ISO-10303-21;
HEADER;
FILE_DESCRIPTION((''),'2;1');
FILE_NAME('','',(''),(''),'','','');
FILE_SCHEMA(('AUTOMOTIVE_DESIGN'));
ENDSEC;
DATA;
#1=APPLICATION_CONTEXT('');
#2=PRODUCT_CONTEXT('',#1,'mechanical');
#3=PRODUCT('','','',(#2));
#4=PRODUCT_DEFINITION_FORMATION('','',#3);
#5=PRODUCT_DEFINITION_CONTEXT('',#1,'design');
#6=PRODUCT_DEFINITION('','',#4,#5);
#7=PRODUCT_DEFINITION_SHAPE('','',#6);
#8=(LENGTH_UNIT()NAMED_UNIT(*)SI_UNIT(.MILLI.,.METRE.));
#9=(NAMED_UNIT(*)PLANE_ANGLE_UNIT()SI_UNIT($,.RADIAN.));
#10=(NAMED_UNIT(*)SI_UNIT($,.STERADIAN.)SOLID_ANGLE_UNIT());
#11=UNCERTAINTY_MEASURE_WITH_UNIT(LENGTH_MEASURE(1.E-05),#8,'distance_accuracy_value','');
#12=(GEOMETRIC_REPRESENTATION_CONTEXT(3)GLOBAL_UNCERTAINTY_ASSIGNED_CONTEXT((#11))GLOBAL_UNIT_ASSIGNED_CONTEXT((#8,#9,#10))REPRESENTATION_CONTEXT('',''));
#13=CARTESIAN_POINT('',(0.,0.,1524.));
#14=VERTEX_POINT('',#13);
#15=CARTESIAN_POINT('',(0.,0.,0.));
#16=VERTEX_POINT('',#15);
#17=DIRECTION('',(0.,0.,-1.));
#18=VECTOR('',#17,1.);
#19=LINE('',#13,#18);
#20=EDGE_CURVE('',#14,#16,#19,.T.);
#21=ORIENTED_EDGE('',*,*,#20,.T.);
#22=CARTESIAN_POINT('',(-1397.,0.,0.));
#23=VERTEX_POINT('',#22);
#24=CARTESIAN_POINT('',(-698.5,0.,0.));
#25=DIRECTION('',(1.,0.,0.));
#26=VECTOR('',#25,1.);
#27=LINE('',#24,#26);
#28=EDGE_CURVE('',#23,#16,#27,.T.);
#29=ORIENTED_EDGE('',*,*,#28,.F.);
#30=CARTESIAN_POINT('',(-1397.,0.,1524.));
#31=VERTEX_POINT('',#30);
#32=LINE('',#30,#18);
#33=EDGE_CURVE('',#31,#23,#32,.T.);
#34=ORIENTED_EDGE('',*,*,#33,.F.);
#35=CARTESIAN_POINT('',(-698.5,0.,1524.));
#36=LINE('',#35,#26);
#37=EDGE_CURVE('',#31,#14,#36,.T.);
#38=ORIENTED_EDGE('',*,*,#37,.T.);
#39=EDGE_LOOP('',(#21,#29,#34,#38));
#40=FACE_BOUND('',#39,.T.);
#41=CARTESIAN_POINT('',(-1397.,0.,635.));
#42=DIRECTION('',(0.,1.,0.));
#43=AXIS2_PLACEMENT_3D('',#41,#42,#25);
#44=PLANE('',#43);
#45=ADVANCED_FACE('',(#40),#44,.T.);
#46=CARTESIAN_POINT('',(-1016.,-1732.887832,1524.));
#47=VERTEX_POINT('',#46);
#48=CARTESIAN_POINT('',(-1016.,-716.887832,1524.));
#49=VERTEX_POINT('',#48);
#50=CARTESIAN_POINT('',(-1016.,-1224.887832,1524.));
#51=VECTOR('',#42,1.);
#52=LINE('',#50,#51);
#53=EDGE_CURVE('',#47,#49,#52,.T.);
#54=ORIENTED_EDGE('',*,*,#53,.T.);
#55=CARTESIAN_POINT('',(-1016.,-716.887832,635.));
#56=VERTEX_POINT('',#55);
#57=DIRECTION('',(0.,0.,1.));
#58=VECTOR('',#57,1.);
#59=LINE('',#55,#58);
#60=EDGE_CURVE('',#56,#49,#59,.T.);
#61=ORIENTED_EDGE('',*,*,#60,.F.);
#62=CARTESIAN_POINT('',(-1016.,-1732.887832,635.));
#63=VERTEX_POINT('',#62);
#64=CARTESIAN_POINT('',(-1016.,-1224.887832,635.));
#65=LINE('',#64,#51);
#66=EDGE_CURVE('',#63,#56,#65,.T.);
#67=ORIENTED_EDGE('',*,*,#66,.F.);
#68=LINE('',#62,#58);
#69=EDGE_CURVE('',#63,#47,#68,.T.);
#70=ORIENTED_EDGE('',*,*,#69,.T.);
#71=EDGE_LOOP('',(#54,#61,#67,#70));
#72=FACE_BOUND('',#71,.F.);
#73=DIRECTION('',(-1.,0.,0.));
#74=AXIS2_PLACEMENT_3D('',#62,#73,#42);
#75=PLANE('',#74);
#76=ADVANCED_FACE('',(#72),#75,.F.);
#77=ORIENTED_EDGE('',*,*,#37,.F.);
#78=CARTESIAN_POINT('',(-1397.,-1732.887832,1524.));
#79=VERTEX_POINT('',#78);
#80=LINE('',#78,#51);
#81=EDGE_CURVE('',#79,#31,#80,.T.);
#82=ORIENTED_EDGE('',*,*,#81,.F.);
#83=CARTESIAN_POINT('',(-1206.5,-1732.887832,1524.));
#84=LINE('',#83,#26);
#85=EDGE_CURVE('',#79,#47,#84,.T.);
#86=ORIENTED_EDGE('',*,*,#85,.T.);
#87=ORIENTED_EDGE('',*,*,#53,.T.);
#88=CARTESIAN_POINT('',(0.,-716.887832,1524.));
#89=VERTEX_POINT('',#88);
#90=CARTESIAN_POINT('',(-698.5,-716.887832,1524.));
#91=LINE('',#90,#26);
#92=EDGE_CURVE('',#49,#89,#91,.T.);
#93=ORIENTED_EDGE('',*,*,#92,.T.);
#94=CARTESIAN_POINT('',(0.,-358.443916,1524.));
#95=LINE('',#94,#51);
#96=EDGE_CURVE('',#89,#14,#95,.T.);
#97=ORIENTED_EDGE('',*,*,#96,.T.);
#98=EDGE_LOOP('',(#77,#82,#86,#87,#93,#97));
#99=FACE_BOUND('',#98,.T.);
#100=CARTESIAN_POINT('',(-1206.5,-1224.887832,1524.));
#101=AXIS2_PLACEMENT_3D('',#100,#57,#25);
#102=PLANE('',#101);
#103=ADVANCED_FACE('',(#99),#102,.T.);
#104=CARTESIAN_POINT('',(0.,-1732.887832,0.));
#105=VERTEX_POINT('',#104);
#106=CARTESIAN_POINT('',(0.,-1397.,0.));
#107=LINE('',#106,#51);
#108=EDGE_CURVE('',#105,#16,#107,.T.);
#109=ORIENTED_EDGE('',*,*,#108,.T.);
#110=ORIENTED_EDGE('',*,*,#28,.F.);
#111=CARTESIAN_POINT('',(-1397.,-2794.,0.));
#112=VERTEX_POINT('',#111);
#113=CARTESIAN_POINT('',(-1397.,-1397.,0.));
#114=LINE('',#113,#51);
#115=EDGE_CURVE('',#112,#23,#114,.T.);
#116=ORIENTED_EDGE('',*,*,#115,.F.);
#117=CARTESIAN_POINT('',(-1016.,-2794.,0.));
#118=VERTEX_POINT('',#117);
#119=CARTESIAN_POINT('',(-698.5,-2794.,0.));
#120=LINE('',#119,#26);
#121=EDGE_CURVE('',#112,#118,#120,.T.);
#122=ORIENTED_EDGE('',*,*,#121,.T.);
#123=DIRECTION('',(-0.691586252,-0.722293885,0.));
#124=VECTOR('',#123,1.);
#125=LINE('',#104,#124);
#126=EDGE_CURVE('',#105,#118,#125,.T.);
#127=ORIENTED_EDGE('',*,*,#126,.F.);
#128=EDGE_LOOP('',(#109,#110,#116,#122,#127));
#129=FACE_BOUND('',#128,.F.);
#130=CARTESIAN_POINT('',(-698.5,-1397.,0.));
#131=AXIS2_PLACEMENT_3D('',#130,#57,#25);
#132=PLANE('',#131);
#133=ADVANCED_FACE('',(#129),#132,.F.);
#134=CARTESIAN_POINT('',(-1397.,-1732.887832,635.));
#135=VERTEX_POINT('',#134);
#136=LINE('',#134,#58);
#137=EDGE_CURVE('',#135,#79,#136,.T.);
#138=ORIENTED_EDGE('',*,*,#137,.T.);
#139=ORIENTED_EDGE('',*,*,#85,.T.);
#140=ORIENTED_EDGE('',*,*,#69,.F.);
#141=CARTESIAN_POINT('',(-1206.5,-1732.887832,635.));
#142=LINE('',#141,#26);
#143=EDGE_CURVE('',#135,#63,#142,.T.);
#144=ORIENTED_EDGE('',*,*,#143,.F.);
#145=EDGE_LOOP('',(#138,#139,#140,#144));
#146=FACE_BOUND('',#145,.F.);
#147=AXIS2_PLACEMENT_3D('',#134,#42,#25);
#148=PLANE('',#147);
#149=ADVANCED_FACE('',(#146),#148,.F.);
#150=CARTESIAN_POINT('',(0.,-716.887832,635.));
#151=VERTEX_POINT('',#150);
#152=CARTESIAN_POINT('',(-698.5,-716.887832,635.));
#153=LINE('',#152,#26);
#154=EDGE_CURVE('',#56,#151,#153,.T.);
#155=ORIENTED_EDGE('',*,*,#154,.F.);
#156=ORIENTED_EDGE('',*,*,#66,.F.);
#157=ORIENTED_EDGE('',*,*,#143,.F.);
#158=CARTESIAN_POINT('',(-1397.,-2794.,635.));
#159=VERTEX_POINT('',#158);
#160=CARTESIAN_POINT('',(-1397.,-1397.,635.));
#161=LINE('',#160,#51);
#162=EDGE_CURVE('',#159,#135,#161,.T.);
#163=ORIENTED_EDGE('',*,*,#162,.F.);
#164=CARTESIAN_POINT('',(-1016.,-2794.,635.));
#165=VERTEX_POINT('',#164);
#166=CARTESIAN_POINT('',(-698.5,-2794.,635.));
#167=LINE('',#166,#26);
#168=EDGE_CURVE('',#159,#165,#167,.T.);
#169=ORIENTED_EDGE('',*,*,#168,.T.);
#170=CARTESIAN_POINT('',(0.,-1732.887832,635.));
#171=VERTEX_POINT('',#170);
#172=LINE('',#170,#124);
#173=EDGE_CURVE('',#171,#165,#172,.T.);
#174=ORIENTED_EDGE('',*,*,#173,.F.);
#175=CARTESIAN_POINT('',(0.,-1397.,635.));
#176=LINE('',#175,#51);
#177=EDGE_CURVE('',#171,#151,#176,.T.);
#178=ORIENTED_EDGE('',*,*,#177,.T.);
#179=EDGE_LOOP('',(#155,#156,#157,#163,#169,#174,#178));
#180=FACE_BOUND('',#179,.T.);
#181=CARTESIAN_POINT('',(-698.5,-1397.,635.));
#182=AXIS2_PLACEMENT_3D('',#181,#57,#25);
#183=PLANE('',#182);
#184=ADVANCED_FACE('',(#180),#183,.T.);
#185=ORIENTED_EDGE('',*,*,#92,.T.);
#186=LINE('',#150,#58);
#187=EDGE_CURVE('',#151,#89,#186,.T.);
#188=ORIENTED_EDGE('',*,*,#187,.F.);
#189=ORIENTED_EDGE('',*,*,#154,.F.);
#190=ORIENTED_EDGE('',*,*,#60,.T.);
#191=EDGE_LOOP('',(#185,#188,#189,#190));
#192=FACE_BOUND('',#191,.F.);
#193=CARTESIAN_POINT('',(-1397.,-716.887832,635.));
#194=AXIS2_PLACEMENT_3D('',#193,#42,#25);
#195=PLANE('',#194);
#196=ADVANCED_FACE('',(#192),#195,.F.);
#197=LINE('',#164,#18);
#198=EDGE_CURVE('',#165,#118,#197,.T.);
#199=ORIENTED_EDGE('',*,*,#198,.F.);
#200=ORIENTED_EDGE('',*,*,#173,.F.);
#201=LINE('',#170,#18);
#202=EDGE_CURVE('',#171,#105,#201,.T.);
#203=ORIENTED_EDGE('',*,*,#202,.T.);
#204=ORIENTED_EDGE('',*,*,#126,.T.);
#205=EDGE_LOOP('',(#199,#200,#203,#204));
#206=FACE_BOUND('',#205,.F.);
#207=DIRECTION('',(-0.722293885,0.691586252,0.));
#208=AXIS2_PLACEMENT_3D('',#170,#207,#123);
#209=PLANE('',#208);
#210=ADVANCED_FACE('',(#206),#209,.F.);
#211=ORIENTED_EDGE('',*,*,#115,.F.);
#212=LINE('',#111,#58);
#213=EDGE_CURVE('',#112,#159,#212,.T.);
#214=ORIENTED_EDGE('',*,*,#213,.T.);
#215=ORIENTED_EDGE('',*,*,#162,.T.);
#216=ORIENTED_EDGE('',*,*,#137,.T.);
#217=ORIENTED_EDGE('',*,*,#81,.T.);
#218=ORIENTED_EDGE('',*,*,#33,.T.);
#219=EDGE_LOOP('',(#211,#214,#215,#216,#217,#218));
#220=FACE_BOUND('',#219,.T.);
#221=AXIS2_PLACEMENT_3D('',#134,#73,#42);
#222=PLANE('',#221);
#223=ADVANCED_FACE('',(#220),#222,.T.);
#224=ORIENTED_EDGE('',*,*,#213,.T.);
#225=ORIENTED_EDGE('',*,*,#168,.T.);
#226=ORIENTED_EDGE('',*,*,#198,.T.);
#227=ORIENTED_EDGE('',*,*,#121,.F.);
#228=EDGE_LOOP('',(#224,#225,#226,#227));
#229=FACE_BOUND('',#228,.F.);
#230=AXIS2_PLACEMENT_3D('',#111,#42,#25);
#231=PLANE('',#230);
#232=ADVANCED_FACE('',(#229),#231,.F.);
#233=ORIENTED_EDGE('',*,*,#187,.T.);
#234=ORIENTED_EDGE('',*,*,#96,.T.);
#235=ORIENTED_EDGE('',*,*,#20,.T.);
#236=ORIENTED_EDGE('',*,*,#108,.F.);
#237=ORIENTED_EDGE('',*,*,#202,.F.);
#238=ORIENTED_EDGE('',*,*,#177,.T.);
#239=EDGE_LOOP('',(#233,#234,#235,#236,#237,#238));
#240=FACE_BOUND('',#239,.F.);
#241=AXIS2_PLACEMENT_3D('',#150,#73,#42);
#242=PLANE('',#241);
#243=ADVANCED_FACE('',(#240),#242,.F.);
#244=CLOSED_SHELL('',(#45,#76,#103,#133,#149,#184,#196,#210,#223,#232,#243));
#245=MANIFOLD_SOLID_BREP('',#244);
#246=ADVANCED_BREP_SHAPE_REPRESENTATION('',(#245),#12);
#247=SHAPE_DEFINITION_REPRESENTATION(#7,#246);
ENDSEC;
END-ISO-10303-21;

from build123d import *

# Parameters (mm, degrees)
F0_W     = 1397
F0_H     = 2794
F1_DEPTH = 635
F2_W     = 1397
F2_H     = 716.887832
F3_DEPTH = 889
F4_W     = 381
F4_H     = 1016
F5_DEPTH = 889
F7_DEPTH = 635


with BuildPart() as f1:
    # F0 (on Top) → F1 (new body)
    with BuildSketch(Plane.XY):
        with Locations((-698.5, -1397)):
            Rectangle(F0_W, F0_H)
    extrude(amount=F1_DEPTH)

    # F2 (on face) → F3 (join)
    with BuildSketch(Plane.XY.offset(635)):
        with Locations((-698.5, -358.443916)):
            Rectangle(F2_W, F2_H)
    extrude(amount=F3_DEPTH)

    # F4 (on face) → F5 (join)
    with BuildSketch(Plane.XY.offset(635)):
        with Locations((-1206.5, -1224.887832)):
            Rectangle(F4_W, F4_H)
    extrude(amount=F5_DEPTH)

    # F6 (on face) → F7 (cut)
    with BuildSketch(Plane.XY.offset(635)):
        Polygon((0, -2794), (0, -1732.887832), (-1016, -2794), align=None)
    extrude(amount=-F7_DEPTH, mode=Mode.SUBTRACT)


solid = f1.part
